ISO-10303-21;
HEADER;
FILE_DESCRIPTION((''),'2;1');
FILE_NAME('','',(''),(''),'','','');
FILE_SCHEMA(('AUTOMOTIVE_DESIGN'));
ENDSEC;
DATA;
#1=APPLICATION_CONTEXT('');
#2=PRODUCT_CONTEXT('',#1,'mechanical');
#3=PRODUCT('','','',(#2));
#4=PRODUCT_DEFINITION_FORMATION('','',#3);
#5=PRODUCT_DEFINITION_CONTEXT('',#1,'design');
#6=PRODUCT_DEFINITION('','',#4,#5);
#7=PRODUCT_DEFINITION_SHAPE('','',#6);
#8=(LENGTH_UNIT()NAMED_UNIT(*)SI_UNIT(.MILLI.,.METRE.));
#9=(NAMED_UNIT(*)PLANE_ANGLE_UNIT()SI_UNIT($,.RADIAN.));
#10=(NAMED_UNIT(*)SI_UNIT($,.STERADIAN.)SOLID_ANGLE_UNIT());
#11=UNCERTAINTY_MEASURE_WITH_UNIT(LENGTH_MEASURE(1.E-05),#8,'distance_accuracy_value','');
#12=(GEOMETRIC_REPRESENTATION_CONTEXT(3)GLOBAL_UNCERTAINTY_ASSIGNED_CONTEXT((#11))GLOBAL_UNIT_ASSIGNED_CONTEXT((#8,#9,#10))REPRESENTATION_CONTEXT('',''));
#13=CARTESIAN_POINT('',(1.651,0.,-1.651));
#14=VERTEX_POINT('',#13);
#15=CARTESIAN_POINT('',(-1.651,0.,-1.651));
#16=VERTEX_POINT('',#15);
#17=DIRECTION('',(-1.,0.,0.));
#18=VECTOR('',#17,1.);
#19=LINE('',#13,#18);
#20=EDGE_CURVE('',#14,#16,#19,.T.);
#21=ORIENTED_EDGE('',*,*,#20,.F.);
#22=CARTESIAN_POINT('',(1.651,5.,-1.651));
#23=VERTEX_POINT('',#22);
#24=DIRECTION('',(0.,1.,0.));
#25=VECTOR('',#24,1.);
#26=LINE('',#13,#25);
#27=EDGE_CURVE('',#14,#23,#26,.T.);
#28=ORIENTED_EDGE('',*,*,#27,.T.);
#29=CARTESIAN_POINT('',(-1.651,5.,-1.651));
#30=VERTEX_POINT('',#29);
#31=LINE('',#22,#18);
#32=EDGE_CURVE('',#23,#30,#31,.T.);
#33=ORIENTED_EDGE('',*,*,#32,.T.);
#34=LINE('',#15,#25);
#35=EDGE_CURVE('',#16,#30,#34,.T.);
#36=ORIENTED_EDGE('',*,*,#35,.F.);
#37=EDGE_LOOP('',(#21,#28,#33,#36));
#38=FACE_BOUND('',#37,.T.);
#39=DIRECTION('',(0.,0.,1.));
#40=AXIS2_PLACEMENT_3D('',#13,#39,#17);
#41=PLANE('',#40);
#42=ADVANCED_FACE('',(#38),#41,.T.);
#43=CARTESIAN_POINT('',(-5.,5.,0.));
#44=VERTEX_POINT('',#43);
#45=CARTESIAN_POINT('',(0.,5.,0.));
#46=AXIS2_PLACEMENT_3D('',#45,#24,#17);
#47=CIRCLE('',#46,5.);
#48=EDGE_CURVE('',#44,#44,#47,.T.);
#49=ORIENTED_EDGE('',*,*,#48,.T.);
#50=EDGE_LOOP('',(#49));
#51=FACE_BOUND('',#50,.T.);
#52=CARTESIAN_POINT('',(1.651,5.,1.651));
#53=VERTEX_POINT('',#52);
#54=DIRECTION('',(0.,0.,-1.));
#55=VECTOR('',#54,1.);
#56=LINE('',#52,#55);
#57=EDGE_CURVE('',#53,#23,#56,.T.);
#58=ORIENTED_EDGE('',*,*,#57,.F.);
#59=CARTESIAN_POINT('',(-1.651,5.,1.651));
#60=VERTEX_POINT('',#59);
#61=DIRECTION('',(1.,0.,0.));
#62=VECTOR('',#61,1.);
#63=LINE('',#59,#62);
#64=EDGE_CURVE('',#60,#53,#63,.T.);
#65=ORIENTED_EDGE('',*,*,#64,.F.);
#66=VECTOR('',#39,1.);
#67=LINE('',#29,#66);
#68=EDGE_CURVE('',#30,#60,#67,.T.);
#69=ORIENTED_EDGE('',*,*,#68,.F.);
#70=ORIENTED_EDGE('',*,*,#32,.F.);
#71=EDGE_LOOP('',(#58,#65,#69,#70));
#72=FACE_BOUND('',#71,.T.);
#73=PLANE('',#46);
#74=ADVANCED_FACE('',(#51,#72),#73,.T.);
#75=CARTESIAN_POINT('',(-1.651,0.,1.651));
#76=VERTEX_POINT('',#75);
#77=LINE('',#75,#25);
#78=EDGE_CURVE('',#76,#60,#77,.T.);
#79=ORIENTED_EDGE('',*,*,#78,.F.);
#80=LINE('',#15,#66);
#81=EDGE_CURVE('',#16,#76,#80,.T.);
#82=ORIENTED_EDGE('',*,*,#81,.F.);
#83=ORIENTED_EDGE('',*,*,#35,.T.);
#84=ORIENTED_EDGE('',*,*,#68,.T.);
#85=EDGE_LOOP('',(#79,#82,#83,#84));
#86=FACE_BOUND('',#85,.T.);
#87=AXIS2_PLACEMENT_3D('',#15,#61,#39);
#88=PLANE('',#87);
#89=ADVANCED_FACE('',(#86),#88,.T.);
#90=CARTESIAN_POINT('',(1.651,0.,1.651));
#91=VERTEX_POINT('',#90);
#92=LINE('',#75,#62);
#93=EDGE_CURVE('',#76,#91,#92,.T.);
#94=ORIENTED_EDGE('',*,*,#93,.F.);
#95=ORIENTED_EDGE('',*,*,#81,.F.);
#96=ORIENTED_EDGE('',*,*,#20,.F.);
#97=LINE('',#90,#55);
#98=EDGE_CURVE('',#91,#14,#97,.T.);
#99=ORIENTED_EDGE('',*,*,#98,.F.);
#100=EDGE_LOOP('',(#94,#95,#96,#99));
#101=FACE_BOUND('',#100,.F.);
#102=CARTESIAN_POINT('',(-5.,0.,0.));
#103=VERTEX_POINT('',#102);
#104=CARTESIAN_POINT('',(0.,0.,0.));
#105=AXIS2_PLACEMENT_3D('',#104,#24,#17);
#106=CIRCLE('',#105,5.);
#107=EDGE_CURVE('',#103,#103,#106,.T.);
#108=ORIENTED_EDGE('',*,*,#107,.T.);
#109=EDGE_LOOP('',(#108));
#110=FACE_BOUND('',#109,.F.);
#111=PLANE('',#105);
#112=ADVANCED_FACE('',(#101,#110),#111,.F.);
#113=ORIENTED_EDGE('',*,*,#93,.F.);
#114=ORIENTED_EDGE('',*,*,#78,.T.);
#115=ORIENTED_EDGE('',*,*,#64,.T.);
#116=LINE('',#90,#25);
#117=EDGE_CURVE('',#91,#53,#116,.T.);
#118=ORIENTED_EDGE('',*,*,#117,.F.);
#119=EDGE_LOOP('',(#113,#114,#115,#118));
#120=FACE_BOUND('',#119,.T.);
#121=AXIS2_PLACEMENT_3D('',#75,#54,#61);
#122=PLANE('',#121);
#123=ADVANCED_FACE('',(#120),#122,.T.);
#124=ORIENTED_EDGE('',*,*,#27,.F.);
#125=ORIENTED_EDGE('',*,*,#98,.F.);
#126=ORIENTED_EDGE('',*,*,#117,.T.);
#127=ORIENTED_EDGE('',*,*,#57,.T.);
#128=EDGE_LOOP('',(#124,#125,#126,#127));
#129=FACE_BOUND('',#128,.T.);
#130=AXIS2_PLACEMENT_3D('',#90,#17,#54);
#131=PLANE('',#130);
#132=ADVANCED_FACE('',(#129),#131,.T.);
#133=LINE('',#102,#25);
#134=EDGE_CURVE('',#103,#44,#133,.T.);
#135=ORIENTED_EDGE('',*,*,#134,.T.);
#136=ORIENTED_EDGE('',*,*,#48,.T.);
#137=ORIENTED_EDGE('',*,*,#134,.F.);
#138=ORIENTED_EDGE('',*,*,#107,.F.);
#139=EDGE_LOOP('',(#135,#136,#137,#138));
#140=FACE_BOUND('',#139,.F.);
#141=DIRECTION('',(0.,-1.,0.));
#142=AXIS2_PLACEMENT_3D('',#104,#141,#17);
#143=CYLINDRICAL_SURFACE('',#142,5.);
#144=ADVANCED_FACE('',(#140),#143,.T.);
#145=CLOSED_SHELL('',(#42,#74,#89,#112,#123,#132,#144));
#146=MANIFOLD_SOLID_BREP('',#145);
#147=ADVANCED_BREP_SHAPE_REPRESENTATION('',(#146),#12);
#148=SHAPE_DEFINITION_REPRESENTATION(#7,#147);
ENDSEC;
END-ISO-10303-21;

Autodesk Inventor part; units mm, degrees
ref_plane "YZ Plane" through (0, 0, 0) normal (1, 0, 0) x (0, 1, 0)
ref_plane "XZ Plane" through (0, 0, 0) normal (0, 1, 0) x (-1, 0, 0)
ref_plane "XY Plane" through (0, 0, 0) normal (0, 0, 1) x (1, 0, 0)
sketch "Sketch1" plane through (0, 0, 0) normal (0, 1, 0) x (-1, 0, 0)
  circle A0 centre (0, 0) radius 5
  line L0 (1.651, 1.651) -> (-1.651, 1.651)
  line L1 (-1.651, 1.651) -> (-1.651, -1.651)
  line L2 (-1.651, -1.651) -> (1.651, -1.651)
  line L3 (1.651, -1.651) -> (1.651, 1.651)
  line L4 (1.651, 1.651) -> (-1.651, -1.651) construction
  line L5 (-1.651, 1.651) -> (1.651, -1.651) construction
  dimension "d0" = 10
  dimension "d1" = 3.302
  dimension "d2" = 3.302
extrude "Extrusion1" add sketch "Sketch1" along normal blind 5
equation "\"BendRadius\" = Thickness"
equation "\"BendReliefWidth\" = Thickness"
equation "\"BendReliefDepth\" = 0.5 * Thickness"
equation "\"CornerReliefSize\" = 4 * Thickness"
equation "\"MinimumRemnant\" = 2 * Thickness"
equation "\"TransitionRadius\" = BendRadius"
equation "\"JacobiRadiusSize\" = BendRadius"
equation "\"GapSize\" = Thickness"
equation "\"Thickness\" = 0.5"
properties part number "111"
